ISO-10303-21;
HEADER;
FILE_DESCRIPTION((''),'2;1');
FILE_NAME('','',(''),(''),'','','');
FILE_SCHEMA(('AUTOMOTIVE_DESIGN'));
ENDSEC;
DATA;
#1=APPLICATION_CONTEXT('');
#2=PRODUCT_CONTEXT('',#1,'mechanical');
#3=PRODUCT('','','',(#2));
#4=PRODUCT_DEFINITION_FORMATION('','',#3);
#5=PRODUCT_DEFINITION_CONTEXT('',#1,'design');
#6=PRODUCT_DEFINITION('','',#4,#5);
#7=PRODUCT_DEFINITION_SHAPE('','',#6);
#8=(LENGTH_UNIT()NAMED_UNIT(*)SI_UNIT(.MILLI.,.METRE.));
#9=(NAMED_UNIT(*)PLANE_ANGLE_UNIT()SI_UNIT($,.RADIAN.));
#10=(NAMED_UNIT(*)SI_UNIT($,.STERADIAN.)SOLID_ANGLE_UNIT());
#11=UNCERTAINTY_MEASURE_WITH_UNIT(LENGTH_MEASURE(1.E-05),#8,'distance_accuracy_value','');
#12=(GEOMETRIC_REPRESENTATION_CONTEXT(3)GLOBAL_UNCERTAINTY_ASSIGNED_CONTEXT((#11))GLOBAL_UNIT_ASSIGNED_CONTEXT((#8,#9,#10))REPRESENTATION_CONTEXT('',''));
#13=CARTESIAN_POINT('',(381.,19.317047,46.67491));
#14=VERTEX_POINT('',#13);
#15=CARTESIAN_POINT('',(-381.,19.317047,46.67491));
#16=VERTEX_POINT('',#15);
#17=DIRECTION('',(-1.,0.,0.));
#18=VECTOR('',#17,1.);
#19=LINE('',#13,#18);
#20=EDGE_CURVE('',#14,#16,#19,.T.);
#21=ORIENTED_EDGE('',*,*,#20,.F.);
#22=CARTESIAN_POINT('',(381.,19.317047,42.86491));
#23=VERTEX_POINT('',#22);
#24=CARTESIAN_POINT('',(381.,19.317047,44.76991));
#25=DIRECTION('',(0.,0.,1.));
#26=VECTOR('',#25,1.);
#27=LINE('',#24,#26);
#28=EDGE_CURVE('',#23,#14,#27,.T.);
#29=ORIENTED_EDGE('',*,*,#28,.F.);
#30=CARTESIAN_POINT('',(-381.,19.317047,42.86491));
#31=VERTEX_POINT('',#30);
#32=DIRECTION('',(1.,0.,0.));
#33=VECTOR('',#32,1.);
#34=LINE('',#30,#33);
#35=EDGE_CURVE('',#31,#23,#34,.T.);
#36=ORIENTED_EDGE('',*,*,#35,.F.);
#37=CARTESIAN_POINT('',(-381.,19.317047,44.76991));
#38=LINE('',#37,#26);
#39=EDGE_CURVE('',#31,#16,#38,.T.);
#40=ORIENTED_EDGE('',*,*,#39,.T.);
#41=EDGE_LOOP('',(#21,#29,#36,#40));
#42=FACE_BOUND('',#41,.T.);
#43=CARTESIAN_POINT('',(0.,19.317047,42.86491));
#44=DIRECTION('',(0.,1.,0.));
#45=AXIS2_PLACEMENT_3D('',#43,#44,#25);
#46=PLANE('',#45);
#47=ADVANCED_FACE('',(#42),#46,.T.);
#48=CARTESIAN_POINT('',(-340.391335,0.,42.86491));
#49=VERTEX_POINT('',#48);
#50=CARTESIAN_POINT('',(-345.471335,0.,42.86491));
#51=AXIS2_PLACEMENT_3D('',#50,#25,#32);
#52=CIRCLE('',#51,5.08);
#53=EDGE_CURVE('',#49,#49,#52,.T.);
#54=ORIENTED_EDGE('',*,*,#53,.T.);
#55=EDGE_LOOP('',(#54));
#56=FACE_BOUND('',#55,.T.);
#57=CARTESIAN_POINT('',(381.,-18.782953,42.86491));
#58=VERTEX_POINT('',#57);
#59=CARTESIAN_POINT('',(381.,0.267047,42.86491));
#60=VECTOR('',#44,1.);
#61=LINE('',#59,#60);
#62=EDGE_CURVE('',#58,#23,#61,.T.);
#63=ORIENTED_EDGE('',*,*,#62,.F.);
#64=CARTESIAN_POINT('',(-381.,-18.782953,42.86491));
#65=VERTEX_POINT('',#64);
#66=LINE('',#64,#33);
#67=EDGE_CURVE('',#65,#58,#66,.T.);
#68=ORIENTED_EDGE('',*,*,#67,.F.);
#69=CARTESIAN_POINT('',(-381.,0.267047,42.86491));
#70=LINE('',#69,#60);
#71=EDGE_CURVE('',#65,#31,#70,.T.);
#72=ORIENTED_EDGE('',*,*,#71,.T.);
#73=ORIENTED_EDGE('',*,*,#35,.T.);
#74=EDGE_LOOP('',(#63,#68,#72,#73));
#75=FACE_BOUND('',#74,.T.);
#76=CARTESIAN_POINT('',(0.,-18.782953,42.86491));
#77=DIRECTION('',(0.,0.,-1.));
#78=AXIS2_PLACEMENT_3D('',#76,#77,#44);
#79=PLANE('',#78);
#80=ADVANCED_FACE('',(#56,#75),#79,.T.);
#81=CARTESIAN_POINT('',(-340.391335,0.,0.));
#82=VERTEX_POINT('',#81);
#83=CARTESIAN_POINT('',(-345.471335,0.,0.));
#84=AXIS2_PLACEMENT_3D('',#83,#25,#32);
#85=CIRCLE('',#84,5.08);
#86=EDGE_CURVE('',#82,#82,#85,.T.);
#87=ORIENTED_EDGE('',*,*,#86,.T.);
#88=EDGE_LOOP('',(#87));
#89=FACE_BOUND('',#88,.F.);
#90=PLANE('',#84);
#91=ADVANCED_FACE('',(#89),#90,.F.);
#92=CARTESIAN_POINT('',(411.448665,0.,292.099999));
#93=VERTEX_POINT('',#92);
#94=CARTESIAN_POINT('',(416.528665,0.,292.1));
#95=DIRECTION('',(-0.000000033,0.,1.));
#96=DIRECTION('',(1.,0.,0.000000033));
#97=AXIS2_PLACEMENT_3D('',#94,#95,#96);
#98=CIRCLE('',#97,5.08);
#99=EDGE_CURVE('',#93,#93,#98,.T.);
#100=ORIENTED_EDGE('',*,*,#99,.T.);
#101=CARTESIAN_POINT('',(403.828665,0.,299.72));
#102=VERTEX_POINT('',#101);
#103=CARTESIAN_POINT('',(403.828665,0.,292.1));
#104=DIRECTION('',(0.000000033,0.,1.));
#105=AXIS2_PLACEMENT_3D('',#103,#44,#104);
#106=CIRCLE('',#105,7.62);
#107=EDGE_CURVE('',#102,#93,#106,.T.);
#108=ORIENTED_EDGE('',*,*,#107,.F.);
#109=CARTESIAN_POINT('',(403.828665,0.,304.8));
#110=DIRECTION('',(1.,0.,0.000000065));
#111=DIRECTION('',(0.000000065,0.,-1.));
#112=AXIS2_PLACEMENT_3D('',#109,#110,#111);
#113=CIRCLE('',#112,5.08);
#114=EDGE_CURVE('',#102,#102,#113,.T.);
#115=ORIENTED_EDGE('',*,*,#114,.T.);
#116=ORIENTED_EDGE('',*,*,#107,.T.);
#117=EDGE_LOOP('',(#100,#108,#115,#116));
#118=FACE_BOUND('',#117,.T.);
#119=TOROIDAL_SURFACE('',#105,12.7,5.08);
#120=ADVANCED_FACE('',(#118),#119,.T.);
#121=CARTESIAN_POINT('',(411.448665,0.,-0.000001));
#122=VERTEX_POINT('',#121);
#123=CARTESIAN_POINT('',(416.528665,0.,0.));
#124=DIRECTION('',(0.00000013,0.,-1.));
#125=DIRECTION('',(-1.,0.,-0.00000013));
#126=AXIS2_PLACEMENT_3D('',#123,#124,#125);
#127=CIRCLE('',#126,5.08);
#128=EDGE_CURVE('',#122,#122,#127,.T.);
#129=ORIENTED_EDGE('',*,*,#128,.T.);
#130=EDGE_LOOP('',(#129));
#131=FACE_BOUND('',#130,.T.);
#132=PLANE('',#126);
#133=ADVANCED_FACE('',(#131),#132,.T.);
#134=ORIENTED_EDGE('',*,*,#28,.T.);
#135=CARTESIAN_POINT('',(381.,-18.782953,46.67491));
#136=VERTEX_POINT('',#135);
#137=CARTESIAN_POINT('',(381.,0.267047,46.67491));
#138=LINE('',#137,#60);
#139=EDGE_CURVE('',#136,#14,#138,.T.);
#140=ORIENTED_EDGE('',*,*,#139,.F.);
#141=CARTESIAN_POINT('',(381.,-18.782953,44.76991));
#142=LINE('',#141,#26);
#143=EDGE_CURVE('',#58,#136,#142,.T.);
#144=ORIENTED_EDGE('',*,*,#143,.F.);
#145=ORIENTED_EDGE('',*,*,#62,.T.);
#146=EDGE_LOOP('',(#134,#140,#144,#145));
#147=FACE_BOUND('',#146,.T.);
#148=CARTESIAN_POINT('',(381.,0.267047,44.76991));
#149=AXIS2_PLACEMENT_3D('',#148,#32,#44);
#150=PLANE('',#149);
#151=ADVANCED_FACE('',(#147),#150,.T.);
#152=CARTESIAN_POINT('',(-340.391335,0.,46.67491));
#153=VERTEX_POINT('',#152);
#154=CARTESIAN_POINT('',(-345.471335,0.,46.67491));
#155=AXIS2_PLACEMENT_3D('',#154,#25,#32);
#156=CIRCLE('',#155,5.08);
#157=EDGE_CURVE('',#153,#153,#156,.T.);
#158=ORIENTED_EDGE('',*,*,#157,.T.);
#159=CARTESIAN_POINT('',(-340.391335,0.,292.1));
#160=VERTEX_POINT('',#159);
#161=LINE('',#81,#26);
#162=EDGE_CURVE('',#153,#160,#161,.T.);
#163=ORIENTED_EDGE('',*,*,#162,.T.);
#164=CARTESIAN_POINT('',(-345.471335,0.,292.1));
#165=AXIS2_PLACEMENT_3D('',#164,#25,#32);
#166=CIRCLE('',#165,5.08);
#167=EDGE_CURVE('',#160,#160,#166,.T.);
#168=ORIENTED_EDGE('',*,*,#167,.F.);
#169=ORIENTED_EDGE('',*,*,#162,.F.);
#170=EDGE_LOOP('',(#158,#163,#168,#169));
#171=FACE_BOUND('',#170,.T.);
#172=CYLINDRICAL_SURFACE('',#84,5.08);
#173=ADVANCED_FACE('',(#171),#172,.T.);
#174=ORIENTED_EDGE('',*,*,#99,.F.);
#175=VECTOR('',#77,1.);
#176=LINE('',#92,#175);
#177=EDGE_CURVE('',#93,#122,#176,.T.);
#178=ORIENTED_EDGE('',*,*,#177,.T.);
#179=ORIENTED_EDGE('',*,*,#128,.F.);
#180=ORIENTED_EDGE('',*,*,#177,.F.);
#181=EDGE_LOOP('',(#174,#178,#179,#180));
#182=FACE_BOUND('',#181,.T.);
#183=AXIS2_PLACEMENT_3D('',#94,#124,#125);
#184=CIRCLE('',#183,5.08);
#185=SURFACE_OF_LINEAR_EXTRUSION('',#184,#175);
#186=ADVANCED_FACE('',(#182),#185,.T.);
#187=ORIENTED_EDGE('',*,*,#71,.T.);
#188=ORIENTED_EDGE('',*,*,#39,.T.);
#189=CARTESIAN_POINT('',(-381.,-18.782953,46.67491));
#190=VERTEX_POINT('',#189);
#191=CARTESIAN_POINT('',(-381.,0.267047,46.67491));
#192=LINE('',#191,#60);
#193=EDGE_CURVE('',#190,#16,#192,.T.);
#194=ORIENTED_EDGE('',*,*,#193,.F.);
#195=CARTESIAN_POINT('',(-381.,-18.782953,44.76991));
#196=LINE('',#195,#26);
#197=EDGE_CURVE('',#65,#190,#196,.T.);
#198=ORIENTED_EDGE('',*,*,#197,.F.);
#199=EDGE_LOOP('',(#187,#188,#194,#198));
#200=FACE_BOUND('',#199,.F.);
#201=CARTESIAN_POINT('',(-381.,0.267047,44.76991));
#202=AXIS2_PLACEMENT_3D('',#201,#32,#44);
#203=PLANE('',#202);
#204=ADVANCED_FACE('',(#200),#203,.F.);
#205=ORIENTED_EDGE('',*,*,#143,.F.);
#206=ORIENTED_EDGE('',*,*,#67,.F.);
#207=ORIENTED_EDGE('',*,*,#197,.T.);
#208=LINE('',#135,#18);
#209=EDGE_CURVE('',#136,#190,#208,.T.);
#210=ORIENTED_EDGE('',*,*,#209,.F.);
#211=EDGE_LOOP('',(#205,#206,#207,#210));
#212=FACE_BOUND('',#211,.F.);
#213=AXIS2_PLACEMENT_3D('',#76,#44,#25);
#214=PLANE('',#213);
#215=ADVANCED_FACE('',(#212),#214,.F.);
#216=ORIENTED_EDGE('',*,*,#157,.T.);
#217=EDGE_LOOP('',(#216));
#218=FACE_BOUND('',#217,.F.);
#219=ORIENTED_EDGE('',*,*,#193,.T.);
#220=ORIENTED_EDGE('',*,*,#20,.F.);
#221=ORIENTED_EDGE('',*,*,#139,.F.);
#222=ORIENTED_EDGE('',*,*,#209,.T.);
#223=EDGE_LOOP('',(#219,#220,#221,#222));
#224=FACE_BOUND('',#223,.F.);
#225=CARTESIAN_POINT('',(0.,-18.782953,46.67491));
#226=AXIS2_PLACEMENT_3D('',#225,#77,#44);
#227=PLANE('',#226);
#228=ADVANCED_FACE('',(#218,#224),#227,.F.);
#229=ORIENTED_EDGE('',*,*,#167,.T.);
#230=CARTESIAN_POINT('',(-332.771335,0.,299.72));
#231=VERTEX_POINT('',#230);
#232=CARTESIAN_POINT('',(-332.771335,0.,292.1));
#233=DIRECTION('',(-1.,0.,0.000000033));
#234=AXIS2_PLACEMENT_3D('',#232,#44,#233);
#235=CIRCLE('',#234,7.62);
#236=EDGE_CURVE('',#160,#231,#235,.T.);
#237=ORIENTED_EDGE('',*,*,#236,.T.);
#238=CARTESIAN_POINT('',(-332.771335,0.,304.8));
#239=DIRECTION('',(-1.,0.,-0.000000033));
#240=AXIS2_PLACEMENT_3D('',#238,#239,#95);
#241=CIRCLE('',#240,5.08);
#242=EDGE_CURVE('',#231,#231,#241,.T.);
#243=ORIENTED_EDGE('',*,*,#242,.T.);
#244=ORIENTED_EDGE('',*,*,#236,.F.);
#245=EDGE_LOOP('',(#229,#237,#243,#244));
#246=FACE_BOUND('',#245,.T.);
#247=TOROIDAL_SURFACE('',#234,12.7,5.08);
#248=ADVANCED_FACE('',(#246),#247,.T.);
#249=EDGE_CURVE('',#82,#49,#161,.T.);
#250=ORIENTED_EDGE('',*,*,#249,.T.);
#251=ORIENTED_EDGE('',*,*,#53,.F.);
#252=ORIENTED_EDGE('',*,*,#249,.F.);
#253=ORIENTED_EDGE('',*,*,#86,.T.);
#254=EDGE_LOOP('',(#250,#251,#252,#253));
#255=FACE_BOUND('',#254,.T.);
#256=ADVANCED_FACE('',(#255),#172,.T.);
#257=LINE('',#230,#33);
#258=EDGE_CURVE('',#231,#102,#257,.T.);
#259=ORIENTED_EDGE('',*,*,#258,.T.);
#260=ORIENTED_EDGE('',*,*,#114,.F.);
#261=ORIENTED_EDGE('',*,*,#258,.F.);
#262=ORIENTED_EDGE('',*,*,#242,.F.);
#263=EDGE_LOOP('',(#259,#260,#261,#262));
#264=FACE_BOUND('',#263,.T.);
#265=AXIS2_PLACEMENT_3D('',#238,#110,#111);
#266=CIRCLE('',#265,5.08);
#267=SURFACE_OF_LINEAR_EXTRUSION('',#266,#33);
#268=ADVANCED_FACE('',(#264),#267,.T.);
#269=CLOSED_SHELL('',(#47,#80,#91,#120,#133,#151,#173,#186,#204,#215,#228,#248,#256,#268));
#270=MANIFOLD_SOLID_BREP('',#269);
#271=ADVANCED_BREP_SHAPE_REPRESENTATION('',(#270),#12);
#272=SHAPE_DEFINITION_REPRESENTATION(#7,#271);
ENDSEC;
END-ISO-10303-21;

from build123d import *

# Parameters (mm, degrees)
F1_R     = 5.08
F3_W     = 38.1
F3_H     = 3.81
F4_DEPTH = 381


with BuildPart() as f2:
    # F2: sweep along a path in F0
    with BuildLine(Plane.XZ) as f2_path:
        Line((-345.471335, 0), (-345.471335, 292.1))
        ThreePointArc((-345.471335, 292.1), (-341.751591, 301.080256), (-332.771335, 304.8))
        Line((-332.771335, 304.8), (403.828665, 304.8))
        ThreePointArc((403.828665, 304.8), (412.808921, 301.080256), (416.528665, 292.1))
        Line((416.528665, 292.1), (416.528665, 0))
    # F1 (on Top) → F2 (sweep)
    with BuildSketch(Plane.XY):
        with Locations((-345.471335, 0)):
            Circle(F1_R)
    sweep(path=f2_path.line)

    # F3 (on Right) → F4 (join, symmetric)
    with BuildSketch(Plane.YZ):
        with Locations((0.267047, 44.76991)):
            Rectangle(F3_W, F3_H)
    extrude(amount=F4_DEPTH, both=True)


solid = f2.part
